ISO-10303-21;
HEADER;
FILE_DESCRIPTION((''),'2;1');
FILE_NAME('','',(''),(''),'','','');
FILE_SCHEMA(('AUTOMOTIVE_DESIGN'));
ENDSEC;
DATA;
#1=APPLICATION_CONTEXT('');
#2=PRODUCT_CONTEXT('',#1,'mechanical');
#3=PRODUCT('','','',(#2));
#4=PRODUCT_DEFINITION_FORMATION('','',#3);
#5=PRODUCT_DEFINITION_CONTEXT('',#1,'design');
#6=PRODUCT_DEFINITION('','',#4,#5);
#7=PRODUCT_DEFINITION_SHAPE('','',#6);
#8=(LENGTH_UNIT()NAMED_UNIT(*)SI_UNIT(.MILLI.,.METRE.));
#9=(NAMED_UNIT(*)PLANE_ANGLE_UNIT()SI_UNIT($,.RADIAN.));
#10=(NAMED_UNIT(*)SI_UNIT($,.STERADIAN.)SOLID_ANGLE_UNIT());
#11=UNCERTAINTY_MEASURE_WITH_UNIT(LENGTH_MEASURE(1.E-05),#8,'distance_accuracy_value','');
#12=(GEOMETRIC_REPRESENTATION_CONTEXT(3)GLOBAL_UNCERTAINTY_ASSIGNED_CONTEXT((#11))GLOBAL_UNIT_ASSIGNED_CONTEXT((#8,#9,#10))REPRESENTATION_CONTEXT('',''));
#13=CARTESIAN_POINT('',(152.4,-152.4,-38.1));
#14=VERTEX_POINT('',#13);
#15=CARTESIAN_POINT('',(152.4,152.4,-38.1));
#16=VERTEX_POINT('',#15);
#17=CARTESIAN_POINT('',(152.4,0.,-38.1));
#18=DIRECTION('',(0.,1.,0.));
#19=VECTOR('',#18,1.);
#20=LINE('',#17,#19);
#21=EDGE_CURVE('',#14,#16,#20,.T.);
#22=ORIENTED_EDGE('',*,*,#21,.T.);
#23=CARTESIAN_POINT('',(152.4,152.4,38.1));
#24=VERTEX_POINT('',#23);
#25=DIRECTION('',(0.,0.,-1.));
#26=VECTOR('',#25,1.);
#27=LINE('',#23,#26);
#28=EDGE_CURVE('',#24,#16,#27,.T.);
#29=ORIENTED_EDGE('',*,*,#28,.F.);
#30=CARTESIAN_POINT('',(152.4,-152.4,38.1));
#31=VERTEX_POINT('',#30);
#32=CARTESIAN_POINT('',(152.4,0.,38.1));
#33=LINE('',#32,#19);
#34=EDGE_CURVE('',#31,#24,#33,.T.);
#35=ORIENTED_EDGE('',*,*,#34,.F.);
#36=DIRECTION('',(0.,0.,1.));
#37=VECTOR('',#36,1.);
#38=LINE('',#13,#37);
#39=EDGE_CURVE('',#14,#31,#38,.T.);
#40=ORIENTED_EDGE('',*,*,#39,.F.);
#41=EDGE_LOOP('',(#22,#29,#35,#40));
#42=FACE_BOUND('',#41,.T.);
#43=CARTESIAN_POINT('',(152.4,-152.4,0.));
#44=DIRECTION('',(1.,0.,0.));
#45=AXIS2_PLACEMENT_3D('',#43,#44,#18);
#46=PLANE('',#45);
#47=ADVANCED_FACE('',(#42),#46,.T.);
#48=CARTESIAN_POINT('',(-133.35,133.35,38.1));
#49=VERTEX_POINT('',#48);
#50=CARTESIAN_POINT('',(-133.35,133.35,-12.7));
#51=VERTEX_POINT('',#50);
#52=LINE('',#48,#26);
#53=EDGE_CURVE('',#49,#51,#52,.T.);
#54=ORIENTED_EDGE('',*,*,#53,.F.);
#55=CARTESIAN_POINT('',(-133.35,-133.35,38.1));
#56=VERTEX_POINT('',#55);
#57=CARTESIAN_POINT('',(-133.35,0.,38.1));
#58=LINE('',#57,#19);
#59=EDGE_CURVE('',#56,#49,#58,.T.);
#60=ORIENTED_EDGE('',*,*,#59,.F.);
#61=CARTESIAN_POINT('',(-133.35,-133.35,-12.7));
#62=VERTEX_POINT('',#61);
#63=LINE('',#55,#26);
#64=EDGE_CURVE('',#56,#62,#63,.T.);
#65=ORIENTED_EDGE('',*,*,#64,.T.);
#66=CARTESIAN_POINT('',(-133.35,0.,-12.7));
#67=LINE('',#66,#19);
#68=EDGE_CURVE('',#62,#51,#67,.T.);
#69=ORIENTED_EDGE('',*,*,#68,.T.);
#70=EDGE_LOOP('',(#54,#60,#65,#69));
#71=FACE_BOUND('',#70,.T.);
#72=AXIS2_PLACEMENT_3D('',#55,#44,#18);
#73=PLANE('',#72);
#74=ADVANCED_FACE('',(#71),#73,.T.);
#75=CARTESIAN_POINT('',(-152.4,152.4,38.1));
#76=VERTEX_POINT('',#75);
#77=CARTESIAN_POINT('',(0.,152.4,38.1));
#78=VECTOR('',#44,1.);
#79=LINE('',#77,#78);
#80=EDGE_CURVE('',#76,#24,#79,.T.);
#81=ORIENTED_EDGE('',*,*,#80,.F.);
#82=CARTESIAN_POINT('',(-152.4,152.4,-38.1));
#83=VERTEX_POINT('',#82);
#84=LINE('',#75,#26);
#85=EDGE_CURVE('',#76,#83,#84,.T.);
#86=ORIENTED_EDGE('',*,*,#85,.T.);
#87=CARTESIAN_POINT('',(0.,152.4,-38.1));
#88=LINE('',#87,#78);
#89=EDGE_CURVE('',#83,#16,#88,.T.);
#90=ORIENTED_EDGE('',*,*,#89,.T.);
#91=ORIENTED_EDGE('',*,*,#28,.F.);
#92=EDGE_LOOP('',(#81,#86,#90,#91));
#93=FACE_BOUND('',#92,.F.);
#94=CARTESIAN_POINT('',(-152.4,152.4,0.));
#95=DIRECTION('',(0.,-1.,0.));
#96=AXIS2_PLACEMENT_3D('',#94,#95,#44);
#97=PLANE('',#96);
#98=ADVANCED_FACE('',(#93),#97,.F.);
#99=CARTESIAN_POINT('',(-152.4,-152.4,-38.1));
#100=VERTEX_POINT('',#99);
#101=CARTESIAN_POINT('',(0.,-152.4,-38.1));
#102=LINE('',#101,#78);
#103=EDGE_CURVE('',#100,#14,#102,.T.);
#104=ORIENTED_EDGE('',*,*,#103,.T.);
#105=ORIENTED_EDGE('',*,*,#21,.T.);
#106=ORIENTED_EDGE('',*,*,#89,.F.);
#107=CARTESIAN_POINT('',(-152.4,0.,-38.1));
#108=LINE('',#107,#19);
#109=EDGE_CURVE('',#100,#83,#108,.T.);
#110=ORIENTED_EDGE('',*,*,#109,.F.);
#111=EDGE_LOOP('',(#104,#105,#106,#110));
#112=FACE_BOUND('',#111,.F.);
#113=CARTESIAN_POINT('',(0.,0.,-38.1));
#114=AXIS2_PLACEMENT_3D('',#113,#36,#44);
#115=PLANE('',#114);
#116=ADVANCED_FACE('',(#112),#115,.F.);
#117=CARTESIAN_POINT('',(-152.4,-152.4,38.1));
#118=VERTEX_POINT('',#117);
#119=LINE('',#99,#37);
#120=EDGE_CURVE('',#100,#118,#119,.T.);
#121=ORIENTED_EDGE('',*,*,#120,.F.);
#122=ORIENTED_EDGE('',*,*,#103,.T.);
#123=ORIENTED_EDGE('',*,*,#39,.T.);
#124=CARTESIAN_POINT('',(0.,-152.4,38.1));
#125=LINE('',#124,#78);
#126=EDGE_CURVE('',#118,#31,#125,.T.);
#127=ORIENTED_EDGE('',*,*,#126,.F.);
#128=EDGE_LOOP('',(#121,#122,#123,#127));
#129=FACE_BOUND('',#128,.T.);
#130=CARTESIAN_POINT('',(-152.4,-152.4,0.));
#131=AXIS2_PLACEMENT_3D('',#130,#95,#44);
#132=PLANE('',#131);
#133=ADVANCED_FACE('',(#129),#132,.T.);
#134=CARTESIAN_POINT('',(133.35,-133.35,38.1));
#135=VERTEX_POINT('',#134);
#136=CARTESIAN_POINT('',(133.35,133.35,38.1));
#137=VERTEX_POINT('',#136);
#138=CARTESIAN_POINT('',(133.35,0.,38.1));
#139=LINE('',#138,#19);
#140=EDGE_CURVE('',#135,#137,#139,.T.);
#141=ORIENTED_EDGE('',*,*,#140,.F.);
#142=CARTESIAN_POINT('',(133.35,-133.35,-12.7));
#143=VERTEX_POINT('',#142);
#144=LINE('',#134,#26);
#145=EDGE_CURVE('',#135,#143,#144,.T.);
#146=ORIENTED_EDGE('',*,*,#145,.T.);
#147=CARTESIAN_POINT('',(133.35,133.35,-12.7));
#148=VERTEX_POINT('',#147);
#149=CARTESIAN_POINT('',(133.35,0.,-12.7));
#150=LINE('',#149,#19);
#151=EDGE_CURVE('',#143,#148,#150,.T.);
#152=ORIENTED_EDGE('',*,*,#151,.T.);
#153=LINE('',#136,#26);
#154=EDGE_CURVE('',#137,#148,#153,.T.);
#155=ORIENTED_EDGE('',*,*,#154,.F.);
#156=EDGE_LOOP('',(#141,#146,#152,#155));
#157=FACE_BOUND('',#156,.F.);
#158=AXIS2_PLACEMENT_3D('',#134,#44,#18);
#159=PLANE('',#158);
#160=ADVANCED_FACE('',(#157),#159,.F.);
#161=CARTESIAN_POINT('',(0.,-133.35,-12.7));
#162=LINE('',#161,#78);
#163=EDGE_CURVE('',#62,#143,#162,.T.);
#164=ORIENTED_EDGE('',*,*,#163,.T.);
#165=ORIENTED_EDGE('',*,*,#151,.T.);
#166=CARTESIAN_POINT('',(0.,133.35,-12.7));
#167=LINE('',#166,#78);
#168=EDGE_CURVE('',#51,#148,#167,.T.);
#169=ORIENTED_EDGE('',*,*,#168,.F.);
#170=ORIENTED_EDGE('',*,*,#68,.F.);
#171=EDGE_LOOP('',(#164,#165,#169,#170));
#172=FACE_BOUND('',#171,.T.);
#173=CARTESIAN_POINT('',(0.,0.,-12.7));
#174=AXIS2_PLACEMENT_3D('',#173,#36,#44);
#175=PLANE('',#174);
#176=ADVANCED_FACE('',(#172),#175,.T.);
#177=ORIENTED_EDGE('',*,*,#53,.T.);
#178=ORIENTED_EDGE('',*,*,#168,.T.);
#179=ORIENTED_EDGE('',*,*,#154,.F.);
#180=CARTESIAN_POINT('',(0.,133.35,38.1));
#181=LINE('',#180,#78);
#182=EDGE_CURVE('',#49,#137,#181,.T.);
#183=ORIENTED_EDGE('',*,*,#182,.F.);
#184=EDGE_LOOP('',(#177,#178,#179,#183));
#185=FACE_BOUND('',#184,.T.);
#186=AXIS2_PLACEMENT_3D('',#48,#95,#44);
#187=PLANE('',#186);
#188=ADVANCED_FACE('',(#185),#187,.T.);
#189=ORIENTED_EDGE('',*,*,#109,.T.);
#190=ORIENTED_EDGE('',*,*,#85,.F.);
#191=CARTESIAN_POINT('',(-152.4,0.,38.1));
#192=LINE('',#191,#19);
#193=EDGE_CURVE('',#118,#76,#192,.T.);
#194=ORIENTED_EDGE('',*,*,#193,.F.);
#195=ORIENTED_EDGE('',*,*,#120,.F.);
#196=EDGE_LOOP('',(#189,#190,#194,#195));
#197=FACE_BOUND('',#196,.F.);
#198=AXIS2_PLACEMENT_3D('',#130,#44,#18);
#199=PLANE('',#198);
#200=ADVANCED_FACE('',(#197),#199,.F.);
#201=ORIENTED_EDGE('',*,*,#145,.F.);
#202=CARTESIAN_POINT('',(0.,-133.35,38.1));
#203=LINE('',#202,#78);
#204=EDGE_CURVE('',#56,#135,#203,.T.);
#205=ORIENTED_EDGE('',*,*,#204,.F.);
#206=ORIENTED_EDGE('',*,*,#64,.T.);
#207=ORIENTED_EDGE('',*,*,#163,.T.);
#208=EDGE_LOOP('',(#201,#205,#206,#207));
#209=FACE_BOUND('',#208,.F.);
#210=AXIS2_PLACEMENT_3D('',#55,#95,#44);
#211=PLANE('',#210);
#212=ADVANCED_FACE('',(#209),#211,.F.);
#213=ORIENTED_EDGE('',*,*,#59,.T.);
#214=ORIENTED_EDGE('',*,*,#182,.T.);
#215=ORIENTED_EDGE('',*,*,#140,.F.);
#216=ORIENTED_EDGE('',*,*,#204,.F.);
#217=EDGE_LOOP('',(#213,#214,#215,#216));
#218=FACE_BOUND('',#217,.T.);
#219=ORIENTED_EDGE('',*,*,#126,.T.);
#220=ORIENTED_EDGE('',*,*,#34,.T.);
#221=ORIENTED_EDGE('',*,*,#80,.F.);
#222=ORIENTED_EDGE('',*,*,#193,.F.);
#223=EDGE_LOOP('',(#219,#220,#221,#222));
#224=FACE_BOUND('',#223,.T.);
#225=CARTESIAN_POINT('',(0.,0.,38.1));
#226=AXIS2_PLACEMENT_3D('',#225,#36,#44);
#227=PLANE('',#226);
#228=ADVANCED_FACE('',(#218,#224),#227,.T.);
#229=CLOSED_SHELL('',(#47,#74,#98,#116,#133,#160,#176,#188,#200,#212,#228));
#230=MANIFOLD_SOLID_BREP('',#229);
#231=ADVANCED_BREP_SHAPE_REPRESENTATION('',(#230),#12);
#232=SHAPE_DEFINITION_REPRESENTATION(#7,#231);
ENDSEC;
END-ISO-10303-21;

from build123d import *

# Parameters (mm, degrees)
F0_W     = 304.8
F0_H     = 304.8
F1_DEPTH = 38.1
F2_W     = 266.7
F2_H     = 266.7
F3_DEPTH = 50.8


with BuildPart() as f1:
    # F0 (on Top) → F1 (new body, symmetric)
    with BuildSketch(Plane.XY):
        Rectangle(F0_W, F0_H)
    extrude(amount=F1_DEPTH, both=True)

    # F2 (on face) → F3 (cut)
    with BuildSketch(Plane.XY.offset(38.1)):
        Rectangle(F2_W, F2_H)
    extrude(amount=-F3_DEPTH, mode=Mode.SUBTRACT)


solid = f1.part
